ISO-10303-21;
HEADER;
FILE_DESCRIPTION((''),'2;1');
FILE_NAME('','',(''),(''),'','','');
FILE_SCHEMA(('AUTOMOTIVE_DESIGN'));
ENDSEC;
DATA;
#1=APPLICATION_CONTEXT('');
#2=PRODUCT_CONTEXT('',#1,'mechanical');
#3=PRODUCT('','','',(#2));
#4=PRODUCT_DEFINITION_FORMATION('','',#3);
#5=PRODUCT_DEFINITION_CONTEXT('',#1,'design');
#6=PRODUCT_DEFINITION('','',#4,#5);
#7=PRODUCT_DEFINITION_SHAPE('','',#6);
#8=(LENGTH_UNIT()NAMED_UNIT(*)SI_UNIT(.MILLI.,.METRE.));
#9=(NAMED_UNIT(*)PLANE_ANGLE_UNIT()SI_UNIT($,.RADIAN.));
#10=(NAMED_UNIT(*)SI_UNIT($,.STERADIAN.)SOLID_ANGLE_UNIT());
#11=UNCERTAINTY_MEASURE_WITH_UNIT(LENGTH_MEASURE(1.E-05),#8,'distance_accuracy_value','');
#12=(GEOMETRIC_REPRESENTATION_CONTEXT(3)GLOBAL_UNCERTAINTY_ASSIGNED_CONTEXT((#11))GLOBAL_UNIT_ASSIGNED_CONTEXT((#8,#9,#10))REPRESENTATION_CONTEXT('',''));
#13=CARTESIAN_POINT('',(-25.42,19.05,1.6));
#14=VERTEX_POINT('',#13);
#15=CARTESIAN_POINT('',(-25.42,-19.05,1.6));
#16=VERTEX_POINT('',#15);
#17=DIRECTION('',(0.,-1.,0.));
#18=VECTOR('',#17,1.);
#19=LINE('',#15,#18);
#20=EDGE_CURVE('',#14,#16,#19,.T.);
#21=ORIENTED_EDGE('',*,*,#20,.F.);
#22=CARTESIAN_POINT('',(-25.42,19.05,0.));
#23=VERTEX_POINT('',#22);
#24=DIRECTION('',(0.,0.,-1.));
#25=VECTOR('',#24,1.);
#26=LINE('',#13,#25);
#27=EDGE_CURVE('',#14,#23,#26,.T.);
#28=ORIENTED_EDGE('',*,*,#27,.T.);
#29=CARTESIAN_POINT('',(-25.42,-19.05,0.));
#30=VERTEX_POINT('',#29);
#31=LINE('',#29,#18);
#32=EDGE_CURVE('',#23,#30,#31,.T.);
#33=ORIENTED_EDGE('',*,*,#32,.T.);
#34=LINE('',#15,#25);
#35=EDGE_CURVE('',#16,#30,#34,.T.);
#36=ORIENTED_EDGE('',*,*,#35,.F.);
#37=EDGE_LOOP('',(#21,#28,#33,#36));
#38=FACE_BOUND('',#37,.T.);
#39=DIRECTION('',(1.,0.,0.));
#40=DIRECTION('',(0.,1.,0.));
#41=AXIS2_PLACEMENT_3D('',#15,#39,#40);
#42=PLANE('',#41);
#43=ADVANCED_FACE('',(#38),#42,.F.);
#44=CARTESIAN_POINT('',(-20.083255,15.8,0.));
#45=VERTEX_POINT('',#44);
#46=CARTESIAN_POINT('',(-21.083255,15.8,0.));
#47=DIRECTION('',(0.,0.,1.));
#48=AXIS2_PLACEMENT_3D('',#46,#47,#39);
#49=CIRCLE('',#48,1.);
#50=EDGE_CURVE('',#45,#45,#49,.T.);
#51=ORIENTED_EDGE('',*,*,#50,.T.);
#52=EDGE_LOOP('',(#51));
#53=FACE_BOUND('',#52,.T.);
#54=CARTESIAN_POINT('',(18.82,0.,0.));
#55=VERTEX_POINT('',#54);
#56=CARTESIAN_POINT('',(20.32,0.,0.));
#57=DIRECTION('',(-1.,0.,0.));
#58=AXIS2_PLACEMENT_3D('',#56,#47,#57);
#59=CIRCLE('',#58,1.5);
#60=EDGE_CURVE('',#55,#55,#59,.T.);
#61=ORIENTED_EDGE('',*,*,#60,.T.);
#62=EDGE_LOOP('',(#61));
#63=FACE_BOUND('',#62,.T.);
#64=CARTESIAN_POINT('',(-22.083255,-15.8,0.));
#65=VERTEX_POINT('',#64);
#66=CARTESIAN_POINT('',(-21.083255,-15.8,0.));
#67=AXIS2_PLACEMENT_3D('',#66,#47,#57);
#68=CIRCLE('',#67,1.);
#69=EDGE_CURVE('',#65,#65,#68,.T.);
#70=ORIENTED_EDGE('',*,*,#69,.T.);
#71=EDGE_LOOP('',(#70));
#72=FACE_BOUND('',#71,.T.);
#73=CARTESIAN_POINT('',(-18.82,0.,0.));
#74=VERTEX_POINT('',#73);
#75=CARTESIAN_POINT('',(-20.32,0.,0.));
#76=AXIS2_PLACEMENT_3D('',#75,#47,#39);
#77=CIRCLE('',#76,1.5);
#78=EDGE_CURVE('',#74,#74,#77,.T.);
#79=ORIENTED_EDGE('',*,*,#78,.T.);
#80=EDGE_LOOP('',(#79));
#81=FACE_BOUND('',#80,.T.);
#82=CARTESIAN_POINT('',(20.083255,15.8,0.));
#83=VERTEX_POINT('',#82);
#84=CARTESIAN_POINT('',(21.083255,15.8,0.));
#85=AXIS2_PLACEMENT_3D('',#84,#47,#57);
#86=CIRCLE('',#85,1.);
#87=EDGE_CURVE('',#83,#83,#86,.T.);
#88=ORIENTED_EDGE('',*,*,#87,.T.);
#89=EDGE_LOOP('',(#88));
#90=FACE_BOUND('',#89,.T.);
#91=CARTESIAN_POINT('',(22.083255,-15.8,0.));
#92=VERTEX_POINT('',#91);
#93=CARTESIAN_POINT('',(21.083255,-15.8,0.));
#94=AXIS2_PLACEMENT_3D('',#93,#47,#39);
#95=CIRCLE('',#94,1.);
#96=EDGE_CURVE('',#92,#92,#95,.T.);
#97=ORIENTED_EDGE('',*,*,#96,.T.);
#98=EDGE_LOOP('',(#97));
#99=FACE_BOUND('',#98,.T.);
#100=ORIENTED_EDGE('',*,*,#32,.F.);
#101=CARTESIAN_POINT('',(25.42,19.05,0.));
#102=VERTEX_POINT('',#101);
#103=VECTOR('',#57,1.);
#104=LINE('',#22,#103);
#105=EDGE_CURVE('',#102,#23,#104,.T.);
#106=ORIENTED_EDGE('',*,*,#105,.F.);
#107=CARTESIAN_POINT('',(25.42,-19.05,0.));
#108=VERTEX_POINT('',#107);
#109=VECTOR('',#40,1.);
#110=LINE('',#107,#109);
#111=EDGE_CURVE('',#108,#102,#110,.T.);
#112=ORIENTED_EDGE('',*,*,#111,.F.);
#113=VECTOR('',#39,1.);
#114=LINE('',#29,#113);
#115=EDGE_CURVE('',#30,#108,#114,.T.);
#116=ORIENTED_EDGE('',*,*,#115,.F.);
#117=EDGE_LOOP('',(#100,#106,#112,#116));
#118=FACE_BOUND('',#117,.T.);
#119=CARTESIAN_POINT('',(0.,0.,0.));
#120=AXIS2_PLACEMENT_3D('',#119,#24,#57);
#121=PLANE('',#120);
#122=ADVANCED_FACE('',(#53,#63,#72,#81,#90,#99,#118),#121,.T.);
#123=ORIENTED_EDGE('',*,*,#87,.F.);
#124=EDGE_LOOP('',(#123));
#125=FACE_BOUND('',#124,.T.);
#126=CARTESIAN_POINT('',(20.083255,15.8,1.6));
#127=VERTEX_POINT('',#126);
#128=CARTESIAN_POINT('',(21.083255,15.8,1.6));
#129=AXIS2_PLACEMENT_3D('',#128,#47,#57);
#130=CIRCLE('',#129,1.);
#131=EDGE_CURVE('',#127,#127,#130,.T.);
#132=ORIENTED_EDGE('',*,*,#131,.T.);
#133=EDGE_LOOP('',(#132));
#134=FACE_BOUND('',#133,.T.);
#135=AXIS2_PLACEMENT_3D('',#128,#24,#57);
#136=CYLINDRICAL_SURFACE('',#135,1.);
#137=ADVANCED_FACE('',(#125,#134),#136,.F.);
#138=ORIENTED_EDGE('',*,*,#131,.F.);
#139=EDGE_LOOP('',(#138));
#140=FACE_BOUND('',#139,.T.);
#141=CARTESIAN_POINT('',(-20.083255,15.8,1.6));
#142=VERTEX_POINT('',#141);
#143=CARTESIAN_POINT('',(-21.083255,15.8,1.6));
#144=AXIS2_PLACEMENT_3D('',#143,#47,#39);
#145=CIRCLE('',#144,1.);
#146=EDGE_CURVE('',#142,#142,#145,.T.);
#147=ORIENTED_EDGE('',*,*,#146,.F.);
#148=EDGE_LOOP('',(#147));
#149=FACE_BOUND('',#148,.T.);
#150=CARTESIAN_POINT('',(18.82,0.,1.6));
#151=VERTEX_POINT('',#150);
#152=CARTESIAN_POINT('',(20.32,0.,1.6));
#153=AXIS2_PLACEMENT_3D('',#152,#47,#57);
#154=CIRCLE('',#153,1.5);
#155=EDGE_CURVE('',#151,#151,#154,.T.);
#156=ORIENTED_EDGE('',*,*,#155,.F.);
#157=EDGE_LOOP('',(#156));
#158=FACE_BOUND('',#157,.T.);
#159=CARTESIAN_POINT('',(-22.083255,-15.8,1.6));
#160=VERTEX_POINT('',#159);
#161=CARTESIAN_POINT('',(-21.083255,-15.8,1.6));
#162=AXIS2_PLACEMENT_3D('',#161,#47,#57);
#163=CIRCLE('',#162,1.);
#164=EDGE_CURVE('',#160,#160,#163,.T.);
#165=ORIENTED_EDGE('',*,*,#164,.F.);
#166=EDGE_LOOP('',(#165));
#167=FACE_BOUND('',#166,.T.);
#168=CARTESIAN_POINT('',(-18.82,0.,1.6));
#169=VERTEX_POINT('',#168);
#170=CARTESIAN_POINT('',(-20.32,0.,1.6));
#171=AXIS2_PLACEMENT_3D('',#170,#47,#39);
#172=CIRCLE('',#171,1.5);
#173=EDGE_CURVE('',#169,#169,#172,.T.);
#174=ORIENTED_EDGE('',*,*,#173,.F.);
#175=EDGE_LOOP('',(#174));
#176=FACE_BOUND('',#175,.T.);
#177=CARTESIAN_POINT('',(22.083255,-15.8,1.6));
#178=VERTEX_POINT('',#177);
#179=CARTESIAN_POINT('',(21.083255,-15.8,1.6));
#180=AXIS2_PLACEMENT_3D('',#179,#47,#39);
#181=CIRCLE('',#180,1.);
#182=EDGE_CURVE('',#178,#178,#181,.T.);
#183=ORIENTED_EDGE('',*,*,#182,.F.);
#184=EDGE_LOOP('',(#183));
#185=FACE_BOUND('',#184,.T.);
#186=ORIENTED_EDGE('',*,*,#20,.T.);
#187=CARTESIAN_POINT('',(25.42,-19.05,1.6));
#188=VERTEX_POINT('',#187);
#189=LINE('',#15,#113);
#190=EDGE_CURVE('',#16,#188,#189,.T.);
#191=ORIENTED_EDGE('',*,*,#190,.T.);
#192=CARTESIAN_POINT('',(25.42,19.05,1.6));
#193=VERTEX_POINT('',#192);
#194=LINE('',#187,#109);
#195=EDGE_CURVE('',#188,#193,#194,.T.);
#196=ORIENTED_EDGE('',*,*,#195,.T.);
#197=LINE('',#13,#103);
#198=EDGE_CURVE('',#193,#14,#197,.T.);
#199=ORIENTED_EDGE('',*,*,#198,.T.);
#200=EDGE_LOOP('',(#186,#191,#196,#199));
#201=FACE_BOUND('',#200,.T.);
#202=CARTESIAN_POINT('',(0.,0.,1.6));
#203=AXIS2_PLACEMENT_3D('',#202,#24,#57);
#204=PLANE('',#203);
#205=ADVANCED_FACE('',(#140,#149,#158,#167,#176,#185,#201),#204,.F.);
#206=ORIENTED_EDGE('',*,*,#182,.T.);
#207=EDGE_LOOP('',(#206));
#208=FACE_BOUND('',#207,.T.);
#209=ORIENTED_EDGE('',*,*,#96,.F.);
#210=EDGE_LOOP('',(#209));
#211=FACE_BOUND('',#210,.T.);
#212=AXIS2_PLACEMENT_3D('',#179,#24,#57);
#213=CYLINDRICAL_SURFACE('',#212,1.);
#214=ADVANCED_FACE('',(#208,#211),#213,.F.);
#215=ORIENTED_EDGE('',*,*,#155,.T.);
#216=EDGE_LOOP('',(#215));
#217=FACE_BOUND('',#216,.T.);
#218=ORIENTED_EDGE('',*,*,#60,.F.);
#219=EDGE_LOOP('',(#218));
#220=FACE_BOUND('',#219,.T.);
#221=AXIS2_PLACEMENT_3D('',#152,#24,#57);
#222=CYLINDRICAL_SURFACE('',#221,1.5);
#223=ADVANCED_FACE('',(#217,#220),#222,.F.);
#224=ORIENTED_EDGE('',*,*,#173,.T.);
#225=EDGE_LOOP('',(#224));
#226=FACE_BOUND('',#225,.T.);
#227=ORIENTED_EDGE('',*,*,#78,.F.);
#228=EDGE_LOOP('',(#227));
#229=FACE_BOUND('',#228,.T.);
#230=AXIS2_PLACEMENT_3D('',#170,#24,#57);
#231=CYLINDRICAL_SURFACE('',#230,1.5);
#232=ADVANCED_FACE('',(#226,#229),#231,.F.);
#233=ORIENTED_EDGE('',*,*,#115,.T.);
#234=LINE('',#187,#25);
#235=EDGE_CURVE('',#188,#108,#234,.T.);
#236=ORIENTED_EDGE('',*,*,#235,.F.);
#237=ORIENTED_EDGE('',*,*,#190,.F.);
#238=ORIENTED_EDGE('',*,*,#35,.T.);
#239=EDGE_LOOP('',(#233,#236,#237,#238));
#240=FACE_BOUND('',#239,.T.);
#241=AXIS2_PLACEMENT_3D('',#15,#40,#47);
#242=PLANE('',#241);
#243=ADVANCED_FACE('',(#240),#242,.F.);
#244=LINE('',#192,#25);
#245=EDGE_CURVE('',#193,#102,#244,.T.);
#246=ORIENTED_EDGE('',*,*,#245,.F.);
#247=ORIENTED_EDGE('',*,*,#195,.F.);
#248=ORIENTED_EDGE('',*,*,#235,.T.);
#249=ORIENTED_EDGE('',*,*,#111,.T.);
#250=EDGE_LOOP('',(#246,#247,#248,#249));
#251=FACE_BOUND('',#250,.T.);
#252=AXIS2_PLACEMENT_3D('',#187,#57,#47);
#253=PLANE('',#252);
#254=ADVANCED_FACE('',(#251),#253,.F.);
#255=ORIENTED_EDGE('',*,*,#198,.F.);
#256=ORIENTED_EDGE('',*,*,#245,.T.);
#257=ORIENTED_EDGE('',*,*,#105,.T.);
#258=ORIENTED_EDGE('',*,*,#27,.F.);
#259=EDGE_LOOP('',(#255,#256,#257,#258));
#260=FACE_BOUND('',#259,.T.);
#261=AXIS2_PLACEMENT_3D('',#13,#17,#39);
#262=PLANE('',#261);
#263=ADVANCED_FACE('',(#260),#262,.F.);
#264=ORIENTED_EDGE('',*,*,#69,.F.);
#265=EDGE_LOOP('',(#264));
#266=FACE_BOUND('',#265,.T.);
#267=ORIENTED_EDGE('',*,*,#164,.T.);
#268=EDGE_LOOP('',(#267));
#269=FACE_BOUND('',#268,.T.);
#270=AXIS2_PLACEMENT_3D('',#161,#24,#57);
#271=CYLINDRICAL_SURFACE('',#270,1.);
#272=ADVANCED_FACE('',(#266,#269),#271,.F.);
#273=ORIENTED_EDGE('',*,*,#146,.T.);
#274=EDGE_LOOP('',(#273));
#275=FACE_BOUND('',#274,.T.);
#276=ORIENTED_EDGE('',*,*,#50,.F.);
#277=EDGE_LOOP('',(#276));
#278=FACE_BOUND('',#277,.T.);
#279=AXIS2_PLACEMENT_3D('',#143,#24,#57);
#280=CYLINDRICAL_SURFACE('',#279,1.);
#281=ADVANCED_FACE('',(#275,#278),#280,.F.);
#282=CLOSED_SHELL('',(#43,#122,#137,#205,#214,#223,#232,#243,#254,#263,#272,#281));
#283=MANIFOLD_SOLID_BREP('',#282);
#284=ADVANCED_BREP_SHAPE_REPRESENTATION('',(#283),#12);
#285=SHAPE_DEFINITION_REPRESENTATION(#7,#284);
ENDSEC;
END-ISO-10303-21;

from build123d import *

# Parameters (mm, degrees)
SKETCH1_W           = 50.84
SKETCH1_H           = 38.1
SKETCH1_R           = 1
SKETCH1_R_2         = 1.5
BOSS_EXTRUDE1_DEPTH = 1.6


with BuildPart() as part:
    # Sketch1 → Boss-Extrude1 (new body)
    with BuildSketch(Plane.XY):
        Rectangle(SKETCH1_W, SKETCH1_H)
        with Locations((-21.083254593, 15.8)):
            Circle(SKETCH1_R, mode=Mode.SUBTRACT)
        with Locations(Location((21.083254593, 15.8, 0), (0, 0, 180))):
            Circle(SKETCH1_R, mode=Mode.SUBTRACT)
        with Locations((21.083254593, -15.8)):
            Circle(SKETCH1_R, mode=Mode.SUBTRACT)
        with Locations(Location((-21.083254593, -15.8, 0), (0, 0, 180))):
            Circle(SKETCH1_R, mode=Mode.SUBTRACT)
        with Locations((-20.32, 0)):
            Circle(SKETCH1_R_2, mode=Mode.SUBTRACT)
        with Locations(Location((20.32, 0, 0), (0, 0, 180))):
            Circle(SKETCH1_R_2, mode=Mode.SUBTRACT)
    extrude(amount=BOSS_EXTRUDE1_DEPTH)


solid = part.part
